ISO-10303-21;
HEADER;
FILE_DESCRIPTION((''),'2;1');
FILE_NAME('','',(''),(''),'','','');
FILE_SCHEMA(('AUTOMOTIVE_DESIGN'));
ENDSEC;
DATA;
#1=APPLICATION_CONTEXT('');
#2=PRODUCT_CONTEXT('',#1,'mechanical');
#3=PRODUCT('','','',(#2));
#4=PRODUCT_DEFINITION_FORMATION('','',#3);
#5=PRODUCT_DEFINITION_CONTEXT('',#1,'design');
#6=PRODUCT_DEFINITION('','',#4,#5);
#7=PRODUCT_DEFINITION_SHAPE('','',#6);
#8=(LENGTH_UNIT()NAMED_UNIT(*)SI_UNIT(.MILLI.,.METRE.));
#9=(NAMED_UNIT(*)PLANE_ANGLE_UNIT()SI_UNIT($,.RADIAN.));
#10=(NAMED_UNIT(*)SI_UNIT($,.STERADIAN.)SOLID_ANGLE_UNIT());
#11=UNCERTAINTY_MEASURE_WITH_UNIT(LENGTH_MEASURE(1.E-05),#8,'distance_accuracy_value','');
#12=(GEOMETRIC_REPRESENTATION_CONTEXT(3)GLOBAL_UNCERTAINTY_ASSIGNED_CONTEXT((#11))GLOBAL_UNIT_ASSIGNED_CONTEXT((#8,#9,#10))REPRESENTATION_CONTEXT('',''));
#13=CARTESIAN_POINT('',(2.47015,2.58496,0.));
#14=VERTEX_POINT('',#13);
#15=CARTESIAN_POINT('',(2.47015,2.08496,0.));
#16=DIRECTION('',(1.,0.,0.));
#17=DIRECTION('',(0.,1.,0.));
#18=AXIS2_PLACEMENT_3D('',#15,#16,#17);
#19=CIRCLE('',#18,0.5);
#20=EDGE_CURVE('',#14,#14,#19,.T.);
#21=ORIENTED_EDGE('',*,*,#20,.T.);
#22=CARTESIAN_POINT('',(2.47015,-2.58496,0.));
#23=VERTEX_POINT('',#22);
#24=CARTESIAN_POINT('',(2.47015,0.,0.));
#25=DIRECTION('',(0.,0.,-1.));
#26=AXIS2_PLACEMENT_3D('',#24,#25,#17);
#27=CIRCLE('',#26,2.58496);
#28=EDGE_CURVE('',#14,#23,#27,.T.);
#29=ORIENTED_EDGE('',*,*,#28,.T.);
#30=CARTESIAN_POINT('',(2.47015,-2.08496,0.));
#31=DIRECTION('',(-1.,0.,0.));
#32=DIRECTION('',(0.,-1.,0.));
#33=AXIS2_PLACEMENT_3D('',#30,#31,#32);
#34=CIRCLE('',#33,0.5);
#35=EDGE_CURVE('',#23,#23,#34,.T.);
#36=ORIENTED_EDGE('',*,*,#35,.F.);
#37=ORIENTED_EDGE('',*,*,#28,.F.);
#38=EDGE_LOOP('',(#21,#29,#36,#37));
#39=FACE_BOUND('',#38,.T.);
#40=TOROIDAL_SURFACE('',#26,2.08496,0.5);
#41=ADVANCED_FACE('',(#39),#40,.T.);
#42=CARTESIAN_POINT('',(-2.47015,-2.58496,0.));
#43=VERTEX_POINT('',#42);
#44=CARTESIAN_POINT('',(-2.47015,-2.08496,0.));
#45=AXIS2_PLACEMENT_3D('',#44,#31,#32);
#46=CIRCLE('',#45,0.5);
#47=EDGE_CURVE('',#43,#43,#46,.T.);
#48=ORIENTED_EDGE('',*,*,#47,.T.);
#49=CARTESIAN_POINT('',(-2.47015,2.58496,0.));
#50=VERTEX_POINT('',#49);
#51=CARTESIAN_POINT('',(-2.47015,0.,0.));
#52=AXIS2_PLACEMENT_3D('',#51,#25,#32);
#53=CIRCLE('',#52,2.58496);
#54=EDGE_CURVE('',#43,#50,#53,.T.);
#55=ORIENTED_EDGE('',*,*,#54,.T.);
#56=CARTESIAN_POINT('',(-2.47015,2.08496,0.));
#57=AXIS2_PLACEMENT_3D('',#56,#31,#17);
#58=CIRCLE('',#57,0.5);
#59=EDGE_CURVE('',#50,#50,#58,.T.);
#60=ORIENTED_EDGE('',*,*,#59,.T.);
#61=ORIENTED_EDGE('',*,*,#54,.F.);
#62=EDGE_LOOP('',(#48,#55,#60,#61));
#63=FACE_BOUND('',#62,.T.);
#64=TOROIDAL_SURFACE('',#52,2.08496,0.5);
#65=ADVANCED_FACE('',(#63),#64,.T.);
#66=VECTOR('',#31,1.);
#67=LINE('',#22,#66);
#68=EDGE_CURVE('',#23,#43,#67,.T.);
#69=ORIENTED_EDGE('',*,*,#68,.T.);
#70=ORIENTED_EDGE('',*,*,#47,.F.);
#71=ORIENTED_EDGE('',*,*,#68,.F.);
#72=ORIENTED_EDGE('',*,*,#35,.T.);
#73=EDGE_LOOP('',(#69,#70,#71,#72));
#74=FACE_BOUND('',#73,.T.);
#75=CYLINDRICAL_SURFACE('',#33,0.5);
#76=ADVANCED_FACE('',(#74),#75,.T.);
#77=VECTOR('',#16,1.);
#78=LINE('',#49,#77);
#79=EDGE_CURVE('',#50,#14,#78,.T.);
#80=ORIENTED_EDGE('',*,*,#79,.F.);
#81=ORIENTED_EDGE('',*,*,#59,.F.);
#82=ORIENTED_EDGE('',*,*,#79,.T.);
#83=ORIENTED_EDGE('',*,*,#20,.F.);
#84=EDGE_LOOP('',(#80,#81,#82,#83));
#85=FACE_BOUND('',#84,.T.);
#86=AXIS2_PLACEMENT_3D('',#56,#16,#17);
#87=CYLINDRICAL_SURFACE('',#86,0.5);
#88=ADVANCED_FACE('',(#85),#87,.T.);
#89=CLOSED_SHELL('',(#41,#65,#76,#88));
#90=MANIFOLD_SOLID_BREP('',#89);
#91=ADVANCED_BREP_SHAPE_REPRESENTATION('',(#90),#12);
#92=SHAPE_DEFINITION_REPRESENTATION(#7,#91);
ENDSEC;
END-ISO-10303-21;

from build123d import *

# Parameters (mm, degrees)
F2_R = 0.5


with BuildPart() as f3:
    # F3: sweep along a path in F0
    with BuildLine(Plane.XY) as f3_path:
        Line((2.47015, -2.08496), (-2.47015, -2.08496))
        ThreePointArc((-2.47015, -2.08496), (-4.55511, 0), (-2.47015, 2.08496))
        Line((-2.47015, 2.08496), (2.47015, 2.08496))
        ThreePointArc((2.47015, 2.08496), (4.55511, 0), (2.47015, -2.08496))
    # F2 (on plane+point) → F3 (sweep)
    with BuildSketch(Plane.YZ.offset(-2.47015)):
        with Locations((2.08496, 0)):
            Circle(F2_R)
    sweep(path=f3_path.line)


solid = f3.part
